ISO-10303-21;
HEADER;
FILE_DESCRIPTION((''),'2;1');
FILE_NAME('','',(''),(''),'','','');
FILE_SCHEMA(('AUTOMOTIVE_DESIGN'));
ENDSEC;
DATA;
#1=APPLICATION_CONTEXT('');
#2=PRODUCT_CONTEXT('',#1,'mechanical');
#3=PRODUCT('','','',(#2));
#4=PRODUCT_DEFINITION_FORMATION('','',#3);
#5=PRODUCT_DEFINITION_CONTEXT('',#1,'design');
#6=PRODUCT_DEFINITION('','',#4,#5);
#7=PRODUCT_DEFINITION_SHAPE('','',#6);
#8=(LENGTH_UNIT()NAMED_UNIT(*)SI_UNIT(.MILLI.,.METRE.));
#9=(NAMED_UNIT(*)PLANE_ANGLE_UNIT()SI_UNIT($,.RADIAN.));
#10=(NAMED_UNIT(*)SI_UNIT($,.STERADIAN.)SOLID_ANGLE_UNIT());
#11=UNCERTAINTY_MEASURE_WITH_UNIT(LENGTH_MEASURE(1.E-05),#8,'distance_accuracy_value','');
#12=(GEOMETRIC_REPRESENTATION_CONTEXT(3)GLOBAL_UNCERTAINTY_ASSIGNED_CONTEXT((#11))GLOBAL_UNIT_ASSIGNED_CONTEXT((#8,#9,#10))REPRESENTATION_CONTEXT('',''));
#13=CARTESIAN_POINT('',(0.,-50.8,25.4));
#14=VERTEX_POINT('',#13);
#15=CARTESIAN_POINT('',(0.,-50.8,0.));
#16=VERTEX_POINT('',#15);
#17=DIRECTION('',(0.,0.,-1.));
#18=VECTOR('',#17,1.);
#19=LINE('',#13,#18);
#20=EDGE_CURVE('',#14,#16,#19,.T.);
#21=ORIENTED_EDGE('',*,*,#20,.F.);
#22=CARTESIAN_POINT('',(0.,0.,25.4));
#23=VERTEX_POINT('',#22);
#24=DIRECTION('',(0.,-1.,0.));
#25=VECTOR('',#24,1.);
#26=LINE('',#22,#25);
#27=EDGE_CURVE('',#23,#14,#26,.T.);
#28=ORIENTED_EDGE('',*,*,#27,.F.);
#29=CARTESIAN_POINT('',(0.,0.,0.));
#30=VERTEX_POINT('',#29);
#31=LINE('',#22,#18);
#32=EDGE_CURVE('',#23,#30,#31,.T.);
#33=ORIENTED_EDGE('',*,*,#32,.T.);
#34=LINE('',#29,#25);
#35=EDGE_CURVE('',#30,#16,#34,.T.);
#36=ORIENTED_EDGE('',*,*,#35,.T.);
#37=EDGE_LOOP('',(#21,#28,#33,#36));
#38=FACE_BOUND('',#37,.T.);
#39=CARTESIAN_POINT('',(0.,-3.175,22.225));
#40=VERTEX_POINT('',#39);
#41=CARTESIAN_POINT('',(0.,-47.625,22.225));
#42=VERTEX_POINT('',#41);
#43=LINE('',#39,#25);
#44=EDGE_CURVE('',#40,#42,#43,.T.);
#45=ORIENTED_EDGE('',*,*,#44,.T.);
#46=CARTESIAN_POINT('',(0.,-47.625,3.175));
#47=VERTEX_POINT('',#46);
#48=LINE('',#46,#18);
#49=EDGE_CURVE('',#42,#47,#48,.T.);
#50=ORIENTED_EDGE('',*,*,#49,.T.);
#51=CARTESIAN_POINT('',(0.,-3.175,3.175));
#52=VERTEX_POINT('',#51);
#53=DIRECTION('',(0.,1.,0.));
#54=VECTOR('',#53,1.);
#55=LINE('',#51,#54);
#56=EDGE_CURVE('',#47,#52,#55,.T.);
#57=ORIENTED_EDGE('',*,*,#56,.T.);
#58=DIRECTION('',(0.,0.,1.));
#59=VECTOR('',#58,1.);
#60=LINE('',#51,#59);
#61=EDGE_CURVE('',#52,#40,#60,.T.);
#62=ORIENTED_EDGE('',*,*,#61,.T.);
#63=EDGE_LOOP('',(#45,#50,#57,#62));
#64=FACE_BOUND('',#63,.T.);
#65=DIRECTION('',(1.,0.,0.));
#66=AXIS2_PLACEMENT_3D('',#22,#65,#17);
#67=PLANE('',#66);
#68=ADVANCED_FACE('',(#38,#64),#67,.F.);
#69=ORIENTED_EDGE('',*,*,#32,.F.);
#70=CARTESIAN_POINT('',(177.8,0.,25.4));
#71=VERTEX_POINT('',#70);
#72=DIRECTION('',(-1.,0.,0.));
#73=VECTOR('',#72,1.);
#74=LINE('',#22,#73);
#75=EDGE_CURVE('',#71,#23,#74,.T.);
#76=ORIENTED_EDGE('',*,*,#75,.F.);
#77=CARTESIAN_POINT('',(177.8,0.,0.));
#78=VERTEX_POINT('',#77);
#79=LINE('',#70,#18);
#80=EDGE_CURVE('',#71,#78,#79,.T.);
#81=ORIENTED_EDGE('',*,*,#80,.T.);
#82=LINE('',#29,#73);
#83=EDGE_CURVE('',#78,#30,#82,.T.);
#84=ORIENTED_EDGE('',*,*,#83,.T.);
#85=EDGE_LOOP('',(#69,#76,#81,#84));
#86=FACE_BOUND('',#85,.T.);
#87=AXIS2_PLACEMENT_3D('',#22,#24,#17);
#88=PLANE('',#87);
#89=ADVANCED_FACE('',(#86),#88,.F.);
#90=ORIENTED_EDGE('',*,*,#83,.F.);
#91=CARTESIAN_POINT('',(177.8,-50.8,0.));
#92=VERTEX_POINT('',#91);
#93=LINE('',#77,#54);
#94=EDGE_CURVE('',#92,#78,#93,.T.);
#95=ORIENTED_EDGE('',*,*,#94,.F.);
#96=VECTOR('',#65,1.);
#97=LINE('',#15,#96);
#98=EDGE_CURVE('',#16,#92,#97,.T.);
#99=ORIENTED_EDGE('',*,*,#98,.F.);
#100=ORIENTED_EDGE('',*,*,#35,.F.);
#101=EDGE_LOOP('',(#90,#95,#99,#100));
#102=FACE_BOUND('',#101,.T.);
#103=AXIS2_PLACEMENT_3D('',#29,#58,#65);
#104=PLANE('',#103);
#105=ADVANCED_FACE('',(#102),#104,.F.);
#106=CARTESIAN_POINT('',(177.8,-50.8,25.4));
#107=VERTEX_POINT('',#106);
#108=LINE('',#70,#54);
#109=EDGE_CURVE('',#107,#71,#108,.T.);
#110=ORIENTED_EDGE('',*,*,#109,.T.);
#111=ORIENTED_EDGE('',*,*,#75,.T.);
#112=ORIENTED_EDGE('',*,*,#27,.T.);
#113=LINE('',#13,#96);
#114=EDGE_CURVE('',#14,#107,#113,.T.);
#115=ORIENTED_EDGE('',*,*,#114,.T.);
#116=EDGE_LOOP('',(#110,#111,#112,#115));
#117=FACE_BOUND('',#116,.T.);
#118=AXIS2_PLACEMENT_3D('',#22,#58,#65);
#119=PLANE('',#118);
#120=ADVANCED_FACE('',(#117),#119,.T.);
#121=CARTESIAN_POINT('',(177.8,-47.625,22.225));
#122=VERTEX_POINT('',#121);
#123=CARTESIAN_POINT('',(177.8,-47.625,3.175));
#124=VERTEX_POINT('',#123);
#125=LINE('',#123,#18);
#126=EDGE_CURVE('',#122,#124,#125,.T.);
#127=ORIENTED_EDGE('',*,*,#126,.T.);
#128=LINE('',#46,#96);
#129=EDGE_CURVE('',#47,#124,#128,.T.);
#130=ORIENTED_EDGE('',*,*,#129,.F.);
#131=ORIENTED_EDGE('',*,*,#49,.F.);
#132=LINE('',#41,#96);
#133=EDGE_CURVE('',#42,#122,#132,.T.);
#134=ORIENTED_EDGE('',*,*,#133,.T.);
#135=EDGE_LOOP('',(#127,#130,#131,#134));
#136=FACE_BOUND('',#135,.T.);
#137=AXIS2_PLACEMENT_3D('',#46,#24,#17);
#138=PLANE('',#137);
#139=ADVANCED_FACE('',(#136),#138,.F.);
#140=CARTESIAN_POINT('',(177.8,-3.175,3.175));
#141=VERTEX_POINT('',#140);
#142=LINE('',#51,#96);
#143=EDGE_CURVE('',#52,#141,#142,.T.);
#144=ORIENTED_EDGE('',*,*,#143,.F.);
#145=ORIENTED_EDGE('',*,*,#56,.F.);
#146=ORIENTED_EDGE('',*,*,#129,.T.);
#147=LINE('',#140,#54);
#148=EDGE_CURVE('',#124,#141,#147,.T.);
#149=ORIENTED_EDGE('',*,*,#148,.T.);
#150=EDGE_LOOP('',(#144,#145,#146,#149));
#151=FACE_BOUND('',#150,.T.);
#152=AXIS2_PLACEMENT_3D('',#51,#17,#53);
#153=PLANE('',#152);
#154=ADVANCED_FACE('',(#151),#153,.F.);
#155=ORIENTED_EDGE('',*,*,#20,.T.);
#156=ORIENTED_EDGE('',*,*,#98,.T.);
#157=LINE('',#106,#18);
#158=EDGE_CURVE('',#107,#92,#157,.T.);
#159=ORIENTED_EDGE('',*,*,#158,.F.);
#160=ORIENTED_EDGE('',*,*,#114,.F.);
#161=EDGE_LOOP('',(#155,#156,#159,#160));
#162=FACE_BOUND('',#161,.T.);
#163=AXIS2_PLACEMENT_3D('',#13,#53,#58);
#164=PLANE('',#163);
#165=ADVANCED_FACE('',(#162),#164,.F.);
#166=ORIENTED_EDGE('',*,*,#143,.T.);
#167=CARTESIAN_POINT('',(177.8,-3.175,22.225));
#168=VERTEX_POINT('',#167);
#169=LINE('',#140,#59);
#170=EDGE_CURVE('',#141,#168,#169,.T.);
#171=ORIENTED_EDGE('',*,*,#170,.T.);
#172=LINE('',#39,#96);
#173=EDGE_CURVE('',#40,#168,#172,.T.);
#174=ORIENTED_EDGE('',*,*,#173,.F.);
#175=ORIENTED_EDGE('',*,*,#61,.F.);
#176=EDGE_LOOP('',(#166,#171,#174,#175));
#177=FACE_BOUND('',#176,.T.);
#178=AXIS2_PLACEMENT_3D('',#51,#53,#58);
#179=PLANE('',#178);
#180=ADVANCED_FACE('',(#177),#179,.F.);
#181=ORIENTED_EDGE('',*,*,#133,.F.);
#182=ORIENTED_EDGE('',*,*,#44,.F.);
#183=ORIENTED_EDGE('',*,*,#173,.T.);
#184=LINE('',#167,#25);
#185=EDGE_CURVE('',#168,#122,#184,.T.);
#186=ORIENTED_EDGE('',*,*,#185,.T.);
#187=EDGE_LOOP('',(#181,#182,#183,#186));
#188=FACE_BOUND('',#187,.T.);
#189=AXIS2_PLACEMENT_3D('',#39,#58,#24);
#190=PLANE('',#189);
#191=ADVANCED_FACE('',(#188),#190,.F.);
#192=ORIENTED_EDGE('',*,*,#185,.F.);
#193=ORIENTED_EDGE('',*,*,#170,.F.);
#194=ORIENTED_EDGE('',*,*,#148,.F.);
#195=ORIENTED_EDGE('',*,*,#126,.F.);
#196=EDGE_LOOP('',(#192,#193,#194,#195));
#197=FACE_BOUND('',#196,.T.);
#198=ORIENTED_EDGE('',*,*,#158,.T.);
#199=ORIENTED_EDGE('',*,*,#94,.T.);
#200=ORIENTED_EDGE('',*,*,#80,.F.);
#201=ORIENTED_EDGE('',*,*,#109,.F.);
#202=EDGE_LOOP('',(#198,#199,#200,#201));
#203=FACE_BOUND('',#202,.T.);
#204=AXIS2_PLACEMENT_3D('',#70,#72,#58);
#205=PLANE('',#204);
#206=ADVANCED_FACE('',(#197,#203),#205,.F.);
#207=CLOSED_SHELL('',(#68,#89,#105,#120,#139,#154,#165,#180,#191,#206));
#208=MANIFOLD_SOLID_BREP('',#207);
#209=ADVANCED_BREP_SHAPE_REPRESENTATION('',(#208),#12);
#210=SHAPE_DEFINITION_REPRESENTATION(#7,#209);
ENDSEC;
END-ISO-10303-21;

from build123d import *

# Parameters (mm, degrees)
SKETCH1_W           = 177.8
SKETCH1_H           = 50.8
BOSS_EXTRUDE1_DEPTH = 25.4
SKETCH2_W           = 19.05
SKETCH2_H           = 44.45
CUT_EXTRUDE1_DEPTH  = 187.6511184


with BuildPart() as part:
    # Sketch1 → Boss-Extrude1 (new body)
    with BuildSketch(Plane.XY):
        with Locations((88.9, -25.4)):
            Rectangle(SKETCH1_W, SKETCH1_H)
    extrude(amount=BOSS_EXTRUDE1_DEPTH)

    # Sketch2 → Cut-Extrude1 (cut, through all)
    with BuildSketch(Plane(origin=(177.8, 0, 0), x_dir=(0, 0, -1), z_dir=(1, 0, 0))):
        with Locations((-12.7, -25.4)):
            Rectangle(SKETCH2_W, SKETCH2_H)
    extrude(amount=-CUT_EXTRUDE1_DEPTH, mode=Mode.SUBTRACT)


solid = part.part
